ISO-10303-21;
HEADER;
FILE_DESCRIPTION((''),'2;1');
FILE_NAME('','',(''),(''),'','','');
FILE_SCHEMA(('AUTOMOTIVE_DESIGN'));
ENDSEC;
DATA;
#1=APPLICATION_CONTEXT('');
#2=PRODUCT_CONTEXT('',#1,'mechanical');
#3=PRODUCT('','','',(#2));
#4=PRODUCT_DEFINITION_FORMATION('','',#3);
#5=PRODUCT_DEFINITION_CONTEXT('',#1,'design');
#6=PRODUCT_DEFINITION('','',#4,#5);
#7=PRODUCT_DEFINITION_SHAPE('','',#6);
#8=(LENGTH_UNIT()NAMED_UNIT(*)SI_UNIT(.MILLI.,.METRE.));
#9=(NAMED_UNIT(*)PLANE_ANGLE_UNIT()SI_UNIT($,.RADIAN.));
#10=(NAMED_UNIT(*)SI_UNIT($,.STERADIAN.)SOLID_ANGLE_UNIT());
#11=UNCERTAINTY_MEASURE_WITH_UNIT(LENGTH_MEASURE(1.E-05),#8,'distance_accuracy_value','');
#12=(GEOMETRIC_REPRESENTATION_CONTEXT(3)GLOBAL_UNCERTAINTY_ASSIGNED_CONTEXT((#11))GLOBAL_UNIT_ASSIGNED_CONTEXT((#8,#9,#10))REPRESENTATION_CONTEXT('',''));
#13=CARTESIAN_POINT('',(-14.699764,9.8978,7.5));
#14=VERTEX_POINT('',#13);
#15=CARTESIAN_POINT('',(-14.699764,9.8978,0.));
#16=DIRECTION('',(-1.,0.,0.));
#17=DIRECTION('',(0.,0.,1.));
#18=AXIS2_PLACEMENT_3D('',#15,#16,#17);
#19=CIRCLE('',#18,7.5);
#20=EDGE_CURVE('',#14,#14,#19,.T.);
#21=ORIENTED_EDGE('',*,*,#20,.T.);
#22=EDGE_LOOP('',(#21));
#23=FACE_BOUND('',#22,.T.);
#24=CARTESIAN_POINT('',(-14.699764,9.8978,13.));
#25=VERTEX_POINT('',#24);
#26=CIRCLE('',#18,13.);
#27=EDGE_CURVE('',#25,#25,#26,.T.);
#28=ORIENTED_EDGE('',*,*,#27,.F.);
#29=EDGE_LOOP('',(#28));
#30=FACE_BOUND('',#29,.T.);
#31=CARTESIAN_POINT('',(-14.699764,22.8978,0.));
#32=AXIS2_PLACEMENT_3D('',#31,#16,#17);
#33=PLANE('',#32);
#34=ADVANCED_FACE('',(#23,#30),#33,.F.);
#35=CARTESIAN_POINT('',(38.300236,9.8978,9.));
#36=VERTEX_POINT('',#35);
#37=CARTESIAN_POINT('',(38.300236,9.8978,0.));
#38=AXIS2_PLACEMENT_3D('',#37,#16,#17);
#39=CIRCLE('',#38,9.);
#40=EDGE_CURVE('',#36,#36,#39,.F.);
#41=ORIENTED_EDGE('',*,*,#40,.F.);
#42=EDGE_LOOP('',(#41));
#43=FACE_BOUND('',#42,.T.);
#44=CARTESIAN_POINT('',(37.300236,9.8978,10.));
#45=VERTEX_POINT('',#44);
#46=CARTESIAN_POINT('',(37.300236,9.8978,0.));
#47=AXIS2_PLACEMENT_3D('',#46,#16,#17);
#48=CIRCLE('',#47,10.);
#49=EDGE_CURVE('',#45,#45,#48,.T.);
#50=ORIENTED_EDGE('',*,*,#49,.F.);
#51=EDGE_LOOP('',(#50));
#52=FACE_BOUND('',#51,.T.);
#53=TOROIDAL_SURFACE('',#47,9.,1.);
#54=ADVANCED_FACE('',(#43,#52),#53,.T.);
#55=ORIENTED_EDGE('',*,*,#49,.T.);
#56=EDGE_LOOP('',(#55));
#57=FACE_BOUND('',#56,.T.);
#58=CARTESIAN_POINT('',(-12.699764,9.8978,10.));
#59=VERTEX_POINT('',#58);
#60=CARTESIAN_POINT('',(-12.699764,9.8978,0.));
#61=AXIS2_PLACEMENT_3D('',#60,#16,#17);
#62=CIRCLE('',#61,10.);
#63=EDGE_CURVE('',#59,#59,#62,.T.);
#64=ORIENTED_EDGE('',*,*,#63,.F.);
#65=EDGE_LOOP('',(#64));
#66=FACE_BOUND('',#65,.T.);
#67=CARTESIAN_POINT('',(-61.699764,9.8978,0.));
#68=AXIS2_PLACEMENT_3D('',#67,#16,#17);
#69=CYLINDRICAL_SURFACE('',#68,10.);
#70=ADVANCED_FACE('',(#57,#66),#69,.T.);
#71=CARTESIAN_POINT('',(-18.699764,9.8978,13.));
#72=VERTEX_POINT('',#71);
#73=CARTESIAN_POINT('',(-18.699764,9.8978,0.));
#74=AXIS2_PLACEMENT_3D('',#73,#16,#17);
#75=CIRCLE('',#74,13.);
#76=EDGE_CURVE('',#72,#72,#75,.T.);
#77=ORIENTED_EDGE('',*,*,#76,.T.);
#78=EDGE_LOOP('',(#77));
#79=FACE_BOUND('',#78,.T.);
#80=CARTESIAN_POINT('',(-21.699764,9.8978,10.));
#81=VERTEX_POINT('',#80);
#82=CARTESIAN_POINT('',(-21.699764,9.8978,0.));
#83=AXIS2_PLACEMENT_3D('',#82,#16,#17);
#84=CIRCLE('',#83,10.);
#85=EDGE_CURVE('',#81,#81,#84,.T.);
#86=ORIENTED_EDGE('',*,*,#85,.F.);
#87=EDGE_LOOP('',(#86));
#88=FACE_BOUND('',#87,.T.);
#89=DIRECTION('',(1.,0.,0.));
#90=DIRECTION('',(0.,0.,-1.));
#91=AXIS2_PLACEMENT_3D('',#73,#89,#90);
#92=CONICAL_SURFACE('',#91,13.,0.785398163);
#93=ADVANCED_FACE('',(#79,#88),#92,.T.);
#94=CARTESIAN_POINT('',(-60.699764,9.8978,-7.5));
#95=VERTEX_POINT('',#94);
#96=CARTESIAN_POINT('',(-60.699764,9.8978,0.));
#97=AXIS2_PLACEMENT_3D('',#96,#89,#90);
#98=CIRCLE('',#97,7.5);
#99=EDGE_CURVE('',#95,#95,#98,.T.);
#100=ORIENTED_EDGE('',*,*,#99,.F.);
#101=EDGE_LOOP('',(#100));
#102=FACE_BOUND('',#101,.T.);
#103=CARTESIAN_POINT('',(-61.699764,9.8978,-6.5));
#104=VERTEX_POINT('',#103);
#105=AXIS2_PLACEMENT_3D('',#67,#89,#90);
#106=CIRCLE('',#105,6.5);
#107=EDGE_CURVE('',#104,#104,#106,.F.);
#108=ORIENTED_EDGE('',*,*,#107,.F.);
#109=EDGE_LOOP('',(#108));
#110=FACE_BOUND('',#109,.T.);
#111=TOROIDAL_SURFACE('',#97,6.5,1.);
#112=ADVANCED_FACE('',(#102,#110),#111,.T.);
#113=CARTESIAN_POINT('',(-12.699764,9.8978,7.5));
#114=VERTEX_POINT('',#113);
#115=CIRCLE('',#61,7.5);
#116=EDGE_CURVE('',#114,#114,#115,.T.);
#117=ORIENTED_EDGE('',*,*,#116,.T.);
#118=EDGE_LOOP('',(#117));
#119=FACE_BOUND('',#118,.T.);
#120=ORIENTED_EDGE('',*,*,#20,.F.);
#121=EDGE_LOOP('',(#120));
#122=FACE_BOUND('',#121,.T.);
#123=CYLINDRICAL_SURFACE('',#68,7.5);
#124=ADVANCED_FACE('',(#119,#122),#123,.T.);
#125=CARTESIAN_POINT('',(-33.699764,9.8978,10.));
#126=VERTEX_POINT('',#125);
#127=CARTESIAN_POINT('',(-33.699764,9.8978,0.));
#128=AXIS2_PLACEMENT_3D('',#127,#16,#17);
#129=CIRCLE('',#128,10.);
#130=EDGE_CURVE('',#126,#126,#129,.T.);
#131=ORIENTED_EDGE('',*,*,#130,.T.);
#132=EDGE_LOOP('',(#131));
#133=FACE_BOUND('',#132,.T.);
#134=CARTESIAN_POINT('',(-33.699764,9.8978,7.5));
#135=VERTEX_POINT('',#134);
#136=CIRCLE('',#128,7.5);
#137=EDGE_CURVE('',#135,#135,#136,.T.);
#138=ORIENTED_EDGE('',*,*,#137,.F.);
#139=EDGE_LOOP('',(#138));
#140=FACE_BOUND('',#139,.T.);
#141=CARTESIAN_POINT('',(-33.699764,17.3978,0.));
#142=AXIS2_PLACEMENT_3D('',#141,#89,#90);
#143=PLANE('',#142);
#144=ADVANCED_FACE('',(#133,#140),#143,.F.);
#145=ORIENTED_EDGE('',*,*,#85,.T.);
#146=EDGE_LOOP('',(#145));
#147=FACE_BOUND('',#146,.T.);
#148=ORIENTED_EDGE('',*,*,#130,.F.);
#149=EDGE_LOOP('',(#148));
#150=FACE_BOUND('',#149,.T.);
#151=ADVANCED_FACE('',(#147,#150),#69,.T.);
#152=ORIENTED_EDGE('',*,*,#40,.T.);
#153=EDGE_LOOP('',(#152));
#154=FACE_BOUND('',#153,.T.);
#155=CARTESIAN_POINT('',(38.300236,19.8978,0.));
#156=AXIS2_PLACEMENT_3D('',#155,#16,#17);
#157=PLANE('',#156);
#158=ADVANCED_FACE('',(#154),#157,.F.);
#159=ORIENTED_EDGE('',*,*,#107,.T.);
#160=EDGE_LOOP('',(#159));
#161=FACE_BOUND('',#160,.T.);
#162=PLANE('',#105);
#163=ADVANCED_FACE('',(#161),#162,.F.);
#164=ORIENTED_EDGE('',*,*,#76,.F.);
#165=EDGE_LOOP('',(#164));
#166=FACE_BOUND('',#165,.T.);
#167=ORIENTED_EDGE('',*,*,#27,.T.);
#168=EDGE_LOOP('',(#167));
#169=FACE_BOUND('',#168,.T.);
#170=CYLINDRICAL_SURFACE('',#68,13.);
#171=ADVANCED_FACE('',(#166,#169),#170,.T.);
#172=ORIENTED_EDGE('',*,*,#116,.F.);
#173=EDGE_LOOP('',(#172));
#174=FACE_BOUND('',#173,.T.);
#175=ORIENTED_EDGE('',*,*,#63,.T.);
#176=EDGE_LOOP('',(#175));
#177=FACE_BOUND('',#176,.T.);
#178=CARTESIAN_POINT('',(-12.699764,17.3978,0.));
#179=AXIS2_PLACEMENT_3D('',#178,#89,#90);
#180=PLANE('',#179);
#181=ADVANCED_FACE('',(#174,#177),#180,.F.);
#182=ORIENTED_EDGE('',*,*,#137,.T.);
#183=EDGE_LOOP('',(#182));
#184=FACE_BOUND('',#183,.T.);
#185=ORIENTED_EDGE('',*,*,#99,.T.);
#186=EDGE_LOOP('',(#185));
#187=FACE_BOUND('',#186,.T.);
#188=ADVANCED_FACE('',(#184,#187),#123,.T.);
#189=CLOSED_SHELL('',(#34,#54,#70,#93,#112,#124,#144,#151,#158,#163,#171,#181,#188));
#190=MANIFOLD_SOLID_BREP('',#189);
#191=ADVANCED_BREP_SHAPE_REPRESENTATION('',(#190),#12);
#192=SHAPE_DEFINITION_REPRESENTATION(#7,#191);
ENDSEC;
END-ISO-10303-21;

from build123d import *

# Parameters (mm, degrees)
FILLET1_R = 1


with BuildPart() as part:
    # Sketch1 → Revolve1 (revolve)
    with BuildSketch(Plane.XY, mode=Mode.PRIVATE) as revolve1_sk:
        Polygon((-61.69976402, 9.89779966), (-61.69976402, 17.39779966), (-33.69976402, 17.39779966), (-33.69976402, 19.89779966), (-21.69976402, 19.89779966), (-18.69976402, 22.89779966), (-14.69976402, 22.89779966), (-14.69976402, 17.39779966), (-12.69976402, 17.39779966), (-12.69976402, 19.89779966), (38.30023598, 19.89779966), (38.30023598, 9.89779966), align=None)
    revolve(revolve1_sk.sketch.rotate(Axis((-61.69976402, 9.89779966, 0), (1, 0, 0)), 90), axis=Axis((-61.69976402, 9.89779966, 0), (1, 0, 0)))

    # Fillet1
    fillet1_edges = [part.edges().sort_by_distance(p)[0] for p in [
        (-61.69976402, 9.89779966, -7.5),
        (38.30023598, 9.89779966, -10),
    ]]
    fillet(fillet1_edges, radius=FILLET1_R)


solid = part.part
